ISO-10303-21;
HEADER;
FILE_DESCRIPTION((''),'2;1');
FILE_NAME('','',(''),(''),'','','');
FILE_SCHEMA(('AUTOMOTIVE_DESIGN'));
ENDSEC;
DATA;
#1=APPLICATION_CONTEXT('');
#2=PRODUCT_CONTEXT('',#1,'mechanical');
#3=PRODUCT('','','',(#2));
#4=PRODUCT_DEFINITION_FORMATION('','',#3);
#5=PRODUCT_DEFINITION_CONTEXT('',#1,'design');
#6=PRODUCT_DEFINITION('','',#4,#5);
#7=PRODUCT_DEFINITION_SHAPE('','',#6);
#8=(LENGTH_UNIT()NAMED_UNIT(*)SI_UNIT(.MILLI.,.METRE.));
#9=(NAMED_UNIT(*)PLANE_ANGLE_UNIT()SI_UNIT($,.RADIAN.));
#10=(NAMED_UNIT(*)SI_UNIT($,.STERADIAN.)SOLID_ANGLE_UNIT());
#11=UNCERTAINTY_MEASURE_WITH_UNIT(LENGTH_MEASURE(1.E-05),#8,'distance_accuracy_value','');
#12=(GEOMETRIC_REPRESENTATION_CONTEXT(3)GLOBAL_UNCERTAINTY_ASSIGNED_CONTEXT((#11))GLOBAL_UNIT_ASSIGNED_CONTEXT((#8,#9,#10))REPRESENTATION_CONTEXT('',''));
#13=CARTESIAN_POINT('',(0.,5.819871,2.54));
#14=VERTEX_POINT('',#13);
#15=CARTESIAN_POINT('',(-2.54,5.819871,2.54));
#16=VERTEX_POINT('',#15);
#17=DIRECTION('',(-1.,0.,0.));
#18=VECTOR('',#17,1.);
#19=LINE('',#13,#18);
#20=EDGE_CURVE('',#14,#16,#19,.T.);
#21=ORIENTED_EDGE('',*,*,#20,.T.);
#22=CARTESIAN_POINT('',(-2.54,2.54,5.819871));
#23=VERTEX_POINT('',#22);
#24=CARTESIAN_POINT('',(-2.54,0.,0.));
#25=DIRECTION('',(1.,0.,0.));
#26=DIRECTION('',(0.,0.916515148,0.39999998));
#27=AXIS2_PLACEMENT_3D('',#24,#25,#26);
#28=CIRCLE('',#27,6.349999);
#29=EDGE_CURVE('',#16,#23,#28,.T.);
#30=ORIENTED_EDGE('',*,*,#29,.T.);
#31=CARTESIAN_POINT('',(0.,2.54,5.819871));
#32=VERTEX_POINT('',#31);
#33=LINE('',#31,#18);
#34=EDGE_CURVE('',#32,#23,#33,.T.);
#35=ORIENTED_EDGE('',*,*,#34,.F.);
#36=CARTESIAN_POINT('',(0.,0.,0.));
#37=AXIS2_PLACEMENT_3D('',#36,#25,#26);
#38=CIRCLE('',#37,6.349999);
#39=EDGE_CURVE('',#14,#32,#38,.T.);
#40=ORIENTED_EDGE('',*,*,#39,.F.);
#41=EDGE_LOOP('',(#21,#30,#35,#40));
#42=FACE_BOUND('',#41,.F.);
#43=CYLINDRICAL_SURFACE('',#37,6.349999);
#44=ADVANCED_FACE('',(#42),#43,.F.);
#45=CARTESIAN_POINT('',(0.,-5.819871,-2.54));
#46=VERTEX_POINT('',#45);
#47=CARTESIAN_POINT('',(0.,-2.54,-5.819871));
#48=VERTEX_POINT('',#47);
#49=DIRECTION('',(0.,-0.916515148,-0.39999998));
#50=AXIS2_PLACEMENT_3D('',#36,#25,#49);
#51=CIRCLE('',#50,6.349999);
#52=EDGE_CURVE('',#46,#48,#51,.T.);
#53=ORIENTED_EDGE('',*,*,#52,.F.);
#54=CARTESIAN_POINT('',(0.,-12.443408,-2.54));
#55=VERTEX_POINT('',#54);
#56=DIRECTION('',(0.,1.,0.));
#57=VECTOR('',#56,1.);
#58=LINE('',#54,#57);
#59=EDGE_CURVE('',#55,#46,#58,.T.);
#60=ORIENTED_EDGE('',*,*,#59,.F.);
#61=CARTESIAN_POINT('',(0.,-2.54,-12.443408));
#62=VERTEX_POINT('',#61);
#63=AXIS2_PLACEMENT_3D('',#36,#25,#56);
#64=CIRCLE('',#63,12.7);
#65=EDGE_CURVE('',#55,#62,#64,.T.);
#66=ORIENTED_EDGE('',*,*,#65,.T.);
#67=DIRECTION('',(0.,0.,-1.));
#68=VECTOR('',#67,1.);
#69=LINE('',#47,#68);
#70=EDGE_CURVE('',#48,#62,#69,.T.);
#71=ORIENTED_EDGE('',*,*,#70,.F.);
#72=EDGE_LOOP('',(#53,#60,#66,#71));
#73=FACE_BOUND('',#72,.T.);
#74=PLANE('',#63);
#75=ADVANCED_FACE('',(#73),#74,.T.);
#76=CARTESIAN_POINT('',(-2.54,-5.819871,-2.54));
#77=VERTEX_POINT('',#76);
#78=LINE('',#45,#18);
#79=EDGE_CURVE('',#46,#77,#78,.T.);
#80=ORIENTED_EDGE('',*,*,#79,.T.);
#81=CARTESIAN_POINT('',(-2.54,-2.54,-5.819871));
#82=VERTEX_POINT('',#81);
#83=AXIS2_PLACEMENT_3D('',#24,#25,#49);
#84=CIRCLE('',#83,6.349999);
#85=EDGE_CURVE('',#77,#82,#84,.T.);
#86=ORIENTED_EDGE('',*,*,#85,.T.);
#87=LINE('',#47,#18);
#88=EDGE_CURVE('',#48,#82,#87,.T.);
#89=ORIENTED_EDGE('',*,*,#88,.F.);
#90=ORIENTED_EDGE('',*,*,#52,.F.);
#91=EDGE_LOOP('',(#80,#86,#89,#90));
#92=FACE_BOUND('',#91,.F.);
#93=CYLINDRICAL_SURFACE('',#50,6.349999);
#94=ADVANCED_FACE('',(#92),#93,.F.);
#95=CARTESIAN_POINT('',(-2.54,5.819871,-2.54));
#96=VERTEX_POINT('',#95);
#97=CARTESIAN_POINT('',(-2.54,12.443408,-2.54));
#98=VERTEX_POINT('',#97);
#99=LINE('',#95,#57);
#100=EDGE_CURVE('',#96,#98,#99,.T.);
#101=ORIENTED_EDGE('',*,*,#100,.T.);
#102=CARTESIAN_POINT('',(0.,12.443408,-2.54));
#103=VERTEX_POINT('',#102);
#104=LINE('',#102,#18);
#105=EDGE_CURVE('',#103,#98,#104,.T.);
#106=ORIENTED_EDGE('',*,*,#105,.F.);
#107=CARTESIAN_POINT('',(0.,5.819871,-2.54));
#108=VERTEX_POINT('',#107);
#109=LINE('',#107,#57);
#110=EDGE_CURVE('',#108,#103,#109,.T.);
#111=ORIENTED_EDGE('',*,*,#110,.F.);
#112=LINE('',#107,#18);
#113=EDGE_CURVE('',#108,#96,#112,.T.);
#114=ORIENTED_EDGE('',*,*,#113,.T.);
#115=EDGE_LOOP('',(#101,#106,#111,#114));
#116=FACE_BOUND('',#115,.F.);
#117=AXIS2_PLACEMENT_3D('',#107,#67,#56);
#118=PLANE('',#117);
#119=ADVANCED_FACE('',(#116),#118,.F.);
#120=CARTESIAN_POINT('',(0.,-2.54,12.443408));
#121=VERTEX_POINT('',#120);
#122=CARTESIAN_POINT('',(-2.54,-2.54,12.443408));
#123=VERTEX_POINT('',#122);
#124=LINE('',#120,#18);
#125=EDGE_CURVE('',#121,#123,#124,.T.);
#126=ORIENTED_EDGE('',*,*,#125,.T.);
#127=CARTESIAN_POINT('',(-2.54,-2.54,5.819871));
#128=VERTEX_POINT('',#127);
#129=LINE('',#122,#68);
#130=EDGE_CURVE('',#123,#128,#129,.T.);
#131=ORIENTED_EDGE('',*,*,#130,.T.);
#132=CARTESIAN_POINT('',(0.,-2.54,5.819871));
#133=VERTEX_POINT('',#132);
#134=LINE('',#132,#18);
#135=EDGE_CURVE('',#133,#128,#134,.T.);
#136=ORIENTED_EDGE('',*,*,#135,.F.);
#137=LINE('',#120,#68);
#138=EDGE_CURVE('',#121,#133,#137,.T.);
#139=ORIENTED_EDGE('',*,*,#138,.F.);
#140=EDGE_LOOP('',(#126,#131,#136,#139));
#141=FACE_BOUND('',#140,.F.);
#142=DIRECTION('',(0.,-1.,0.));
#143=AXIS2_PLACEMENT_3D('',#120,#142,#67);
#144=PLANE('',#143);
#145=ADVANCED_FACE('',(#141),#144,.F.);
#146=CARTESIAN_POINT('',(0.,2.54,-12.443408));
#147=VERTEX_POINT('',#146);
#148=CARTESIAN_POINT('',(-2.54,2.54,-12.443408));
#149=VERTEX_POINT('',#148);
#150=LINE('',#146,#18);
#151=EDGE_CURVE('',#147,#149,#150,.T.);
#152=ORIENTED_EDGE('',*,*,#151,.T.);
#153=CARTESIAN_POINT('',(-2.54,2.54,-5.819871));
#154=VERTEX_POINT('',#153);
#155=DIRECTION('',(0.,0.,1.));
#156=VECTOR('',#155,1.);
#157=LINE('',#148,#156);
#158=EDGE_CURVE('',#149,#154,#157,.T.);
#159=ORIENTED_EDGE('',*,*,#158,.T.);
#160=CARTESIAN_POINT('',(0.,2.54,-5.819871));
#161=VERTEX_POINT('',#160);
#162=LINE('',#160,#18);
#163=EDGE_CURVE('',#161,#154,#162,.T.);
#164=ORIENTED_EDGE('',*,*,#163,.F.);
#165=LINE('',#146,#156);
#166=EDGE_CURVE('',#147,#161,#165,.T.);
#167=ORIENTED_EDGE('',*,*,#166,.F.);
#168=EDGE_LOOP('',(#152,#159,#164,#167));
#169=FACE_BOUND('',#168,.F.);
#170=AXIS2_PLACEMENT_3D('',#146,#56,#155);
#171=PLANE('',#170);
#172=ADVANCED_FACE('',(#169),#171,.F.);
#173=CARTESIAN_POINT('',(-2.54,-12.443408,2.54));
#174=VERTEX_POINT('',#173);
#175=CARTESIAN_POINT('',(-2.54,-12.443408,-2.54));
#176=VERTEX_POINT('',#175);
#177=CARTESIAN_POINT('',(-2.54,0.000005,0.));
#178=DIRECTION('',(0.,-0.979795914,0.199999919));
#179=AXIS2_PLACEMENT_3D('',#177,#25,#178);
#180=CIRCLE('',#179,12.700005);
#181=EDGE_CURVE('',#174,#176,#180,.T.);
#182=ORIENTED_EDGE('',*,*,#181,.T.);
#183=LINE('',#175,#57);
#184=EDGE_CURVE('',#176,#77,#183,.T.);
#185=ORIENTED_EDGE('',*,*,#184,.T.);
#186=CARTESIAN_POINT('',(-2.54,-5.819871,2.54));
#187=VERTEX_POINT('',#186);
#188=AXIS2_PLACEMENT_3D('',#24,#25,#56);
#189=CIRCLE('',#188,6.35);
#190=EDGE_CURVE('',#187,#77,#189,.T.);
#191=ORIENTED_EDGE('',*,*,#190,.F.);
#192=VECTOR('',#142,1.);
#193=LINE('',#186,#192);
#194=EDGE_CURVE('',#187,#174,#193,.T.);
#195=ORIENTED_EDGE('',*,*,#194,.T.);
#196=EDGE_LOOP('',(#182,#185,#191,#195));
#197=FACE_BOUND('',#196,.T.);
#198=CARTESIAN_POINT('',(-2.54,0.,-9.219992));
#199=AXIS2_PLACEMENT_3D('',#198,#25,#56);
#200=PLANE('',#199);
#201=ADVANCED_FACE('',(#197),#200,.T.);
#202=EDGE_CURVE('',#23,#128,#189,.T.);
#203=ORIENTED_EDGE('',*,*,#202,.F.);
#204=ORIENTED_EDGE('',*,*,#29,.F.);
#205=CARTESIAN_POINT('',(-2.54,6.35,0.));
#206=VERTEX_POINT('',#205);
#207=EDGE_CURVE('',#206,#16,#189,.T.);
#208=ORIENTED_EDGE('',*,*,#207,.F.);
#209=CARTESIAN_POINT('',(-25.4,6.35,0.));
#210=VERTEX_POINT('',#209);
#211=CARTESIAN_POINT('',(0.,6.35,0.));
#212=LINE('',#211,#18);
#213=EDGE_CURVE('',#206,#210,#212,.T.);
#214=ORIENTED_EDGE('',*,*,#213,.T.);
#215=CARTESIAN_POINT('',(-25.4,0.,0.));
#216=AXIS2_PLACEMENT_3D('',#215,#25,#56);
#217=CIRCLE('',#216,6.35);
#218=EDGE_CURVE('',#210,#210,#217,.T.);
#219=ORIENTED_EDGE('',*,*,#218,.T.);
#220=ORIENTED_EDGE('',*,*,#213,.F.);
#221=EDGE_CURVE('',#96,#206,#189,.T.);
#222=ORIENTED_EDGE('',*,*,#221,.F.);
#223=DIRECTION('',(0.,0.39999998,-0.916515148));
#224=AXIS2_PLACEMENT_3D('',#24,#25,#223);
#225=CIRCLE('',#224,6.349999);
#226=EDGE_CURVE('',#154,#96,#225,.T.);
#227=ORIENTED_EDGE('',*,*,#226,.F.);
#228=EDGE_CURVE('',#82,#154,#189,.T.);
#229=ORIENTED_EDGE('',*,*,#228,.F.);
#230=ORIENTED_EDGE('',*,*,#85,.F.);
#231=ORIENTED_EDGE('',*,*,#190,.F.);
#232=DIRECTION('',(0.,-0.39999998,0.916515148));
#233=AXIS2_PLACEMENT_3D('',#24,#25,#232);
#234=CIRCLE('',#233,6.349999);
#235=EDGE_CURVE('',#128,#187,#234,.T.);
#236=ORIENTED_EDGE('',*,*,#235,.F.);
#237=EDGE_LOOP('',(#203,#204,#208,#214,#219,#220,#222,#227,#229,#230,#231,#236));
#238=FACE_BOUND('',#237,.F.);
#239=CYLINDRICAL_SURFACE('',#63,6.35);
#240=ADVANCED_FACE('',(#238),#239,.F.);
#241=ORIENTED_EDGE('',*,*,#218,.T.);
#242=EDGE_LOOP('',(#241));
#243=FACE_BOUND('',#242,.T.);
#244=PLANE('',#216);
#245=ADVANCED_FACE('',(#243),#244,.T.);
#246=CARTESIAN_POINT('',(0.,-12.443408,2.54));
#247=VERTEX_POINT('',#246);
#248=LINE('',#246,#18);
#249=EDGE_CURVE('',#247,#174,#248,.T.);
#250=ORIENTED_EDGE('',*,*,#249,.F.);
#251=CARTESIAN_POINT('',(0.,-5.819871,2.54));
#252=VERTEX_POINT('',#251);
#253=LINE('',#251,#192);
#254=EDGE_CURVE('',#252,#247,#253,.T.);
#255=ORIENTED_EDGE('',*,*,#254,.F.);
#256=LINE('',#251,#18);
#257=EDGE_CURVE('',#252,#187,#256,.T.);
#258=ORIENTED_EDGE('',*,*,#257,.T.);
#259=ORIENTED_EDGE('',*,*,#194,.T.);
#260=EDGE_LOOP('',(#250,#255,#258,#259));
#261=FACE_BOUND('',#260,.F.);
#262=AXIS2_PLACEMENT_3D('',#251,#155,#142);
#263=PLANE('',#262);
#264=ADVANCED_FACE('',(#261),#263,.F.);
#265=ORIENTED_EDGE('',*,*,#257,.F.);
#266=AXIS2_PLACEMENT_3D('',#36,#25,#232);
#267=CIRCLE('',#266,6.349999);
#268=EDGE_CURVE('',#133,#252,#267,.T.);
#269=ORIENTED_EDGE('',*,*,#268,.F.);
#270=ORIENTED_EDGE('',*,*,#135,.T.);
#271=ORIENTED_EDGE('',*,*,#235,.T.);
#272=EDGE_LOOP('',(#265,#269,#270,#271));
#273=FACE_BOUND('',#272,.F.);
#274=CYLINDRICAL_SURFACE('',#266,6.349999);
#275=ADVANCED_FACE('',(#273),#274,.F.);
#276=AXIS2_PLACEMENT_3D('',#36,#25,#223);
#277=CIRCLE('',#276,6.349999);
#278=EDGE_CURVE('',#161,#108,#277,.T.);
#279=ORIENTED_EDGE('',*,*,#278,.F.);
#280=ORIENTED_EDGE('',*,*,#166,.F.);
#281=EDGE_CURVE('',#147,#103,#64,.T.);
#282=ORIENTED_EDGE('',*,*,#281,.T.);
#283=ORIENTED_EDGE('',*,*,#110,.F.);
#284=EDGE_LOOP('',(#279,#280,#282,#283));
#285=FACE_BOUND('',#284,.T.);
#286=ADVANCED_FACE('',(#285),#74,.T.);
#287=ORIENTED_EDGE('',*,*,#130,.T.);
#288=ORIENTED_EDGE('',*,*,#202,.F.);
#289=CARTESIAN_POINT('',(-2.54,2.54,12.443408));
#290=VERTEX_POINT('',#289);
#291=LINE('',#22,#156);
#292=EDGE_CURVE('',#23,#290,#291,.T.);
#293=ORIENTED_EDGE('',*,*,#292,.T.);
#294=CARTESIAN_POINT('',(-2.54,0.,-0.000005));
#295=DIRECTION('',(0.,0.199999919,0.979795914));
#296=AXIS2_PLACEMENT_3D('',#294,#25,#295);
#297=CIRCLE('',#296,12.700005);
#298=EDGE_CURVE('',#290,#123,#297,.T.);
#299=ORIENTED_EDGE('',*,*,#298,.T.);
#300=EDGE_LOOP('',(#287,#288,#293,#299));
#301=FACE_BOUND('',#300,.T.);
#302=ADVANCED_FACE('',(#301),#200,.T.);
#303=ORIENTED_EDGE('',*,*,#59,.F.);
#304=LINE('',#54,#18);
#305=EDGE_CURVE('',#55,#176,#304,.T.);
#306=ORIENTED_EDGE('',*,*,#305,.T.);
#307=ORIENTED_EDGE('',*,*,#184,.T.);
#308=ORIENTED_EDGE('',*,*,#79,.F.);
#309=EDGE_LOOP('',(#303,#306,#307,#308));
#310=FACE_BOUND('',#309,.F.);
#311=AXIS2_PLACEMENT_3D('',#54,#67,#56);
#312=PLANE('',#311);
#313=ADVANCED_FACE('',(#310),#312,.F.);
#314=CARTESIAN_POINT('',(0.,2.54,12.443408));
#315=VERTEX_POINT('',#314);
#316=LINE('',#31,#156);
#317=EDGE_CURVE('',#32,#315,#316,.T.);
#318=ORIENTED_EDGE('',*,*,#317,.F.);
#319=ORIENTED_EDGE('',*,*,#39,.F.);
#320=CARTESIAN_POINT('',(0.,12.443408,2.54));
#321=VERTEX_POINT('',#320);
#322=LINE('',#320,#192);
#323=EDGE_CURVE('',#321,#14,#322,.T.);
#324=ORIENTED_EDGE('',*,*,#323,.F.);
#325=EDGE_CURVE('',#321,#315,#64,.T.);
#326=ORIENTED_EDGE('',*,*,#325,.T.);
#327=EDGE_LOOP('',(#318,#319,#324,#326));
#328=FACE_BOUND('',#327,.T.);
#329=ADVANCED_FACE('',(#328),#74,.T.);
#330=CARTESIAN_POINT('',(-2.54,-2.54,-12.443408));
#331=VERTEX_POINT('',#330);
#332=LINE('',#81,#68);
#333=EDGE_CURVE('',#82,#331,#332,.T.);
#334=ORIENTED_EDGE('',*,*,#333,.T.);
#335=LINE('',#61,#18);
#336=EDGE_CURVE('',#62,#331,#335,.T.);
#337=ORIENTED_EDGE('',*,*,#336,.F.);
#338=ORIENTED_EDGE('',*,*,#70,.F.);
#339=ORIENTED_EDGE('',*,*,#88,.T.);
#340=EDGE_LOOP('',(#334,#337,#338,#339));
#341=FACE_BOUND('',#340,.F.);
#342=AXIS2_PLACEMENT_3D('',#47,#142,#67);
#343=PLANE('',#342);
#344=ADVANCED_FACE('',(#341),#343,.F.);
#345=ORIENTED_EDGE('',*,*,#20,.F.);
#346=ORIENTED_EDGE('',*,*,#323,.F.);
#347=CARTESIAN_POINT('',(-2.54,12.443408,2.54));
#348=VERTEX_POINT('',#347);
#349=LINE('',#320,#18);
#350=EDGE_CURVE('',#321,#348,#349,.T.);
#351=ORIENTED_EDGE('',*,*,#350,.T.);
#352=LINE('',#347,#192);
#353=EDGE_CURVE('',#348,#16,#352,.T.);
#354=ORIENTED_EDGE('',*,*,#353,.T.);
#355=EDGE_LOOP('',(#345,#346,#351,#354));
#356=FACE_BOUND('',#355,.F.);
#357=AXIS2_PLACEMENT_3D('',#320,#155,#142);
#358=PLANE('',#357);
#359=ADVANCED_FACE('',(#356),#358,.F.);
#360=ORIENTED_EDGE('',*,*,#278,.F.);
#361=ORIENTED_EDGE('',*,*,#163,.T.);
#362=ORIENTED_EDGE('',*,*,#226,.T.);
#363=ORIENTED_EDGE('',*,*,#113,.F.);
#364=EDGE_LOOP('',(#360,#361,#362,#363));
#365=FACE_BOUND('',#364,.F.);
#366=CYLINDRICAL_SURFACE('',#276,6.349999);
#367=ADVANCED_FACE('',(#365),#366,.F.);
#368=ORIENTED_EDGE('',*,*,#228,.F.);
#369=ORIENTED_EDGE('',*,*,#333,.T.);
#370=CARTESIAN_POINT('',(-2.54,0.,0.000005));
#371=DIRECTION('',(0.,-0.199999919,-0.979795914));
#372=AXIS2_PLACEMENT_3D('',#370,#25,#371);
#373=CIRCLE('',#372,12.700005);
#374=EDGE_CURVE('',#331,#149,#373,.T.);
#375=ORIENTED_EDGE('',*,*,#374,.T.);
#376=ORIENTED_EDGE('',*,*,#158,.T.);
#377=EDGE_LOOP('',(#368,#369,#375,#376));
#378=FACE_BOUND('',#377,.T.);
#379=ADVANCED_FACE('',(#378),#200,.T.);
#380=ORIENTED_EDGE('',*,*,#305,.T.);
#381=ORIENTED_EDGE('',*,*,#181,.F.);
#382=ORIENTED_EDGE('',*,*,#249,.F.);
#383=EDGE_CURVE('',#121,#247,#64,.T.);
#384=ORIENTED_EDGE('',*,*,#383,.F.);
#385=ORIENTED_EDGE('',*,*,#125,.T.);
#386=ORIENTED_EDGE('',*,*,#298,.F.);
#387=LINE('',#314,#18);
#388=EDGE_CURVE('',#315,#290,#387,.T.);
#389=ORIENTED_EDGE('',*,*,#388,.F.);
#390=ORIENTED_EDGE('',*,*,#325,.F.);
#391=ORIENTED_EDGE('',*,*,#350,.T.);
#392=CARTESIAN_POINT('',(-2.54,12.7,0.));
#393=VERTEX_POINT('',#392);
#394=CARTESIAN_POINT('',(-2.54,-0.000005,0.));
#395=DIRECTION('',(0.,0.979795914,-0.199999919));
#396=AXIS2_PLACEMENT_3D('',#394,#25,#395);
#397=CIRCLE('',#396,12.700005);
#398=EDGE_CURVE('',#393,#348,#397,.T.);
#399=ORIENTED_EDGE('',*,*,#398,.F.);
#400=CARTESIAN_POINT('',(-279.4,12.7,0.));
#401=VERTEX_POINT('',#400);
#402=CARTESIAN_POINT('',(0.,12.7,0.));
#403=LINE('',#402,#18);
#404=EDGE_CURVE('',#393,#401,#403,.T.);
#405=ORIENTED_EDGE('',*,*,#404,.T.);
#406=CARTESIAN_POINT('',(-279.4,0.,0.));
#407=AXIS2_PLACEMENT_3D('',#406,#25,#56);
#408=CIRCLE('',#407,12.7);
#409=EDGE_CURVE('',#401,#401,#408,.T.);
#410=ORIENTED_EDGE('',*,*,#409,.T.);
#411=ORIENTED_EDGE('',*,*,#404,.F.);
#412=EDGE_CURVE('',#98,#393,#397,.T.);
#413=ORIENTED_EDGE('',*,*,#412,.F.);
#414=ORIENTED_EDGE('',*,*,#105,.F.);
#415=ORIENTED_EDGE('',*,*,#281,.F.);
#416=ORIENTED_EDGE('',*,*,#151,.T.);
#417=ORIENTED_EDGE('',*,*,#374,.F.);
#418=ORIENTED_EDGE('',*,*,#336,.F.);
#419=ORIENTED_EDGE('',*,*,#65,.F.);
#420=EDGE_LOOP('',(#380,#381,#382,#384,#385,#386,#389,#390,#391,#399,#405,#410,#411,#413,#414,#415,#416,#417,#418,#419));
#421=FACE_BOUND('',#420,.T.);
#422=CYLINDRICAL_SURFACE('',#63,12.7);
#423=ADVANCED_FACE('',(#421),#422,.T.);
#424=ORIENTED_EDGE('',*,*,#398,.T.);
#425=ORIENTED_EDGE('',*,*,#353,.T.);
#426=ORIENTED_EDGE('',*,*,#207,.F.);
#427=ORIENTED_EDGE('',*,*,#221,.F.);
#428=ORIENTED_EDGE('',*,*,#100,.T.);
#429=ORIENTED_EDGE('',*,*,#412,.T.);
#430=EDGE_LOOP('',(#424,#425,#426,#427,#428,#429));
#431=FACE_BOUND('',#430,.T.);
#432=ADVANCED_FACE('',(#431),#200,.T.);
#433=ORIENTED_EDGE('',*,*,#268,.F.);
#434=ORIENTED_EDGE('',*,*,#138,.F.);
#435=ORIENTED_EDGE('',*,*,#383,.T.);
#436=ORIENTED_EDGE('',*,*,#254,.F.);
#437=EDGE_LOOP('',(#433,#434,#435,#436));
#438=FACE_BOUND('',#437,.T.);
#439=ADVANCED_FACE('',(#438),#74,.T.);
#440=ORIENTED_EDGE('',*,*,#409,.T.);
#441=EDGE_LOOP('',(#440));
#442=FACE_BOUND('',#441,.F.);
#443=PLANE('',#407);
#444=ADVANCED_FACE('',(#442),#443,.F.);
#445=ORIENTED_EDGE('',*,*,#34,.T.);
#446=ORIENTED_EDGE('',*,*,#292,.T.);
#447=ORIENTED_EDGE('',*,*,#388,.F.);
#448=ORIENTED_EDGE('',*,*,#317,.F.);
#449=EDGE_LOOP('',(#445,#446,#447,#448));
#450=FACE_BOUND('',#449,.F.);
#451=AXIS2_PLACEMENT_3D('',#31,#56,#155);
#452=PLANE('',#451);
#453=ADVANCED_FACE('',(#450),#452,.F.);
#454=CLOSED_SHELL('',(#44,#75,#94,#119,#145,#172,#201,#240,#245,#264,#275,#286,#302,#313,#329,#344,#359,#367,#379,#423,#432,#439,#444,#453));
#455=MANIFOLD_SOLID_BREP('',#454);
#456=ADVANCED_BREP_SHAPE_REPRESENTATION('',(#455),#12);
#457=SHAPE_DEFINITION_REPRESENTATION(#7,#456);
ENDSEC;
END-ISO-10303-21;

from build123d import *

# Parameters (mm, degrees)
F0_R     = 12.7
F1_DEPTH = 279.4
F2_R     = 6.35
F3_DEPTH = 25.4
F5_DEPTH = 2.54


with BuildPart() as f1:
    # F0 (on Right) → F1 (new body)
    with BuildSketch(Plane.YZ):
        Circle(F0_R)
    extrude(amount=-F1_DEPTH)

    # F2 (on face) → F3 (cut)
    with BuildSketch(Plane.YZ):
        Circle(F2_R)
    extrude(amount=-F3_DEPTH, mode=Mode.SUBTRACT)

    # F4 (on Right) → F5 (cut)
    with BuildSketch(Plane.YZ):
        with BuildLine():
            ThreePointArc((2.54, -5.819871), (0, -6.35), (-2.54, -5.819871))
            Line((-2.54, -5.819871), (-2.54, -12.443408))
            ThreePointArc((-2.54, -12.443408), (0, -12.7), (2.54, -12.443408))
            Line((2.54, -12.443408), (2.54, -5.819871))
        make_face()
        with BuildLine():
            ThreePointArc((-5.819871, -2.54), (-6.35, 0), (-5.819871, 2.54))
            Line((-5.819871, 2.54), (-12.443408, 2.54))
            ThreePointArc((-12.443408, 2.54), (-12.7, 0), (-12.443408, -2.54))
            Line((-12.443408, -2.54), (-5.819871, -2.54))
        make_face()
        with BuildLine():
            ThreePointArc((2.54, 12.443408), (0, 12.7), (-2.54, 12.443408))
            Line((-2.54, 12.443408), (-2.54, 5.819871))
            ThreePointArc((-2.54, 5.819871), (-4.490128, 4.490128), (-5.819871, 2.54))
            ThreePointArc((-5.819871, 2.54), (-6.35, 0), (-5.819871, -2.54))
            ThreePointArc((-5.819871, -2.54), (-4.490128, -4.490128), (-2.54, -5.819871))
            ThreePointArc((-2.54, -5.819871), (0, -6.35), (2.54, -5.819871))
            ThreePointArc((2.54, -5.819871), (4.490128, -4.490128), (5.819871, -2.54))
            ThreePointArc((5.819871, -2.54), (6.35, 0), (5.819871, 2.54))
            ThreePointArc((5.819871, 2.54), (4.490128, 4.490128), (2.54, 5.819871))
            Line((2.54, 5.819871), (2.54, 12.443408))
        make_face()
        with BuildLine():
            Line((12.443408, 2.54), (5.819871, 2.54))
            ThreePointArc((5.819871, 2.54), (6.35, 0), (5.819871, -2.54))
            Line((5.819871, -2.54), (12.443408, -2.54))
            ThreePointArc((12.443408, -2.54), (12.7, 0), (12.443408, 2.54))
        make_face()
    extrude(amount=-F5_DEPTH, mode=Mode.SUBTRACT)


solid = f1.part
